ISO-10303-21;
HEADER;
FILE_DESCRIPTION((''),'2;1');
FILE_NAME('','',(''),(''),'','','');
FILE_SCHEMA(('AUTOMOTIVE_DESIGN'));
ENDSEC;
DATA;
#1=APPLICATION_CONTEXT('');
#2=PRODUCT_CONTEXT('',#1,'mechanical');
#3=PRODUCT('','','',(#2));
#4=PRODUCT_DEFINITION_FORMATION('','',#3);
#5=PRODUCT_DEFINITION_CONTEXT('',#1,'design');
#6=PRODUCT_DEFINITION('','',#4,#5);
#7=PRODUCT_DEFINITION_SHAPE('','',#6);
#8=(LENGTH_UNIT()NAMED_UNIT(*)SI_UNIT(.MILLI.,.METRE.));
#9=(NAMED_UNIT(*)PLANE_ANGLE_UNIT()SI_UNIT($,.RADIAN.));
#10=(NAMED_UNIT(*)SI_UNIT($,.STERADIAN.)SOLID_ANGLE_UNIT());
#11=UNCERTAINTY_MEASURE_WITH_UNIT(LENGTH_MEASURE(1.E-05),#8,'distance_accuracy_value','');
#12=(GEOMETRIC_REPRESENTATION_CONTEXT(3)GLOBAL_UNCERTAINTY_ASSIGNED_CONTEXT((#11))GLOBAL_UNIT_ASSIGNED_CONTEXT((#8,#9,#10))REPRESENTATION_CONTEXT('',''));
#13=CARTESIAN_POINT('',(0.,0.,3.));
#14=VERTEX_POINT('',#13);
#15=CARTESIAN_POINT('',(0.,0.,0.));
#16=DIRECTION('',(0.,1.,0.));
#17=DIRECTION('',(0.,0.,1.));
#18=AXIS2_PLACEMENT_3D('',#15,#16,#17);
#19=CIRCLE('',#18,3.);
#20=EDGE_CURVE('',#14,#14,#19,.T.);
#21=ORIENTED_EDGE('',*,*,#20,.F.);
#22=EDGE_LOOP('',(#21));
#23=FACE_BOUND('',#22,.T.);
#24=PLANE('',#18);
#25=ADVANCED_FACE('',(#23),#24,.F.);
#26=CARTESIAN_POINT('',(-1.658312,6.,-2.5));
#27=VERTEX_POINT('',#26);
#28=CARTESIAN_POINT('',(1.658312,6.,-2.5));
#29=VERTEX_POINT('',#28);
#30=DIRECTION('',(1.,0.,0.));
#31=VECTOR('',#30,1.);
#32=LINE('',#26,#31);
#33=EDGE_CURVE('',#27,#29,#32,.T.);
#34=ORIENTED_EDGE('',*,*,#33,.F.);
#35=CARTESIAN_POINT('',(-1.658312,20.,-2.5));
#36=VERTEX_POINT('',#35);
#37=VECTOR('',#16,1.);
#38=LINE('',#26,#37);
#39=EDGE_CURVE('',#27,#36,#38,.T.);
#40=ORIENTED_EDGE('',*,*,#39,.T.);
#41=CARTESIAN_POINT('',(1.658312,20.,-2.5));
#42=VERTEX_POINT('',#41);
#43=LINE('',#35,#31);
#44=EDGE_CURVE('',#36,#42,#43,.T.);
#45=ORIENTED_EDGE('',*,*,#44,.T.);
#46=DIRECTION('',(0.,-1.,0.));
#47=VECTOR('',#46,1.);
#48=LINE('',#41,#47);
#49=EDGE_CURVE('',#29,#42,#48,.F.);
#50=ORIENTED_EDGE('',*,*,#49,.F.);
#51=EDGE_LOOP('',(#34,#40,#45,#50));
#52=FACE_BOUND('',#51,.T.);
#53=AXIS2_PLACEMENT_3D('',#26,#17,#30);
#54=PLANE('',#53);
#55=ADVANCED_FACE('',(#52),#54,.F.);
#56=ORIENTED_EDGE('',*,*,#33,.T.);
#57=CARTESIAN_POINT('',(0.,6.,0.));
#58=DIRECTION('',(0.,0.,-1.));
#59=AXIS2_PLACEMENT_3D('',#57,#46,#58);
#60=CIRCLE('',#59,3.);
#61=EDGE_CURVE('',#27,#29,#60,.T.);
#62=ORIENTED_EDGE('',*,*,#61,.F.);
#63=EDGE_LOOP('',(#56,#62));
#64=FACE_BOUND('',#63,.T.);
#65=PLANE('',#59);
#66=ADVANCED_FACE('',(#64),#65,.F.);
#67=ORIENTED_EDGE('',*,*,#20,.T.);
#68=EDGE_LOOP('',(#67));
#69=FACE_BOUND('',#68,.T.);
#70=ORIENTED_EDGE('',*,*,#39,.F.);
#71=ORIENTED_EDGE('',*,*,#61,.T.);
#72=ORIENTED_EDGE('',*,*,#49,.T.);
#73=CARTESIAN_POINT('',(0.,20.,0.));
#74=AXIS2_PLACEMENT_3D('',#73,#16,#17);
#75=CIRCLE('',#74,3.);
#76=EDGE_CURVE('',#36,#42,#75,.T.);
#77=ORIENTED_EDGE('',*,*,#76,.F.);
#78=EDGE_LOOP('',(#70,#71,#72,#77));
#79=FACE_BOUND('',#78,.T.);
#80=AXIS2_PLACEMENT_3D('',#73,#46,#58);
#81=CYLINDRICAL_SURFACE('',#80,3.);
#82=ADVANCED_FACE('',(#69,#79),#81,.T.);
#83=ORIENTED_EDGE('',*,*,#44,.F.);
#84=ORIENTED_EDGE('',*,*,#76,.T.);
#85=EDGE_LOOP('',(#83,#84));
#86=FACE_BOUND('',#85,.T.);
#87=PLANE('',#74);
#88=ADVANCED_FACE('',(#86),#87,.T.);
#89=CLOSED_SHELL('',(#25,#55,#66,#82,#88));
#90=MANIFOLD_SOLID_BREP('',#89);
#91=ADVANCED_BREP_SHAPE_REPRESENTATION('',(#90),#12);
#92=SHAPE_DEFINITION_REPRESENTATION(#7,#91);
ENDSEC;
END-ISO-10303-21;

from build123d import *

# Parameters (mm, degrees)
SKETCH1_R           = 3
BOSS_EXTRUDE1_DEPTH = 20
SKETCH2_W           = 4.658312395
SKETCH2_H           = 7.838811761
CUT_EXTRUDE1_DEPTH  = 14


with BuildPart() as part:
    # Sketch1 → Boss-Extrude1 (new body)
    with BuildSketch(Plane(origin=(0, 0, 0), x_dir=(1, 0, 0), z_dir=(0, 1, 0))):
        with Locations(Location((0, 0, 0), (0, 0, 270))):
            Circle(SKETCH1_R)
    extrude(amount=BOSS_EXTRUDE1_DEPTH)

    # Sketch2 → Cut-Extrude1 (cut)
    with BuildSketch(Plane(origin=(0, 20, 0), x_dir=(1, 0, 0), z_dir=(0, 1, 0))):
        with Locations((0.670843802, 6.419405881)):
            Rectangle(SKETCH2_W, SKETCH2_H)
    extrude(amount=-CUT_EXTRUDE1_DEPTH, mode=Mode.SUBTRACT)


solid = part.part
